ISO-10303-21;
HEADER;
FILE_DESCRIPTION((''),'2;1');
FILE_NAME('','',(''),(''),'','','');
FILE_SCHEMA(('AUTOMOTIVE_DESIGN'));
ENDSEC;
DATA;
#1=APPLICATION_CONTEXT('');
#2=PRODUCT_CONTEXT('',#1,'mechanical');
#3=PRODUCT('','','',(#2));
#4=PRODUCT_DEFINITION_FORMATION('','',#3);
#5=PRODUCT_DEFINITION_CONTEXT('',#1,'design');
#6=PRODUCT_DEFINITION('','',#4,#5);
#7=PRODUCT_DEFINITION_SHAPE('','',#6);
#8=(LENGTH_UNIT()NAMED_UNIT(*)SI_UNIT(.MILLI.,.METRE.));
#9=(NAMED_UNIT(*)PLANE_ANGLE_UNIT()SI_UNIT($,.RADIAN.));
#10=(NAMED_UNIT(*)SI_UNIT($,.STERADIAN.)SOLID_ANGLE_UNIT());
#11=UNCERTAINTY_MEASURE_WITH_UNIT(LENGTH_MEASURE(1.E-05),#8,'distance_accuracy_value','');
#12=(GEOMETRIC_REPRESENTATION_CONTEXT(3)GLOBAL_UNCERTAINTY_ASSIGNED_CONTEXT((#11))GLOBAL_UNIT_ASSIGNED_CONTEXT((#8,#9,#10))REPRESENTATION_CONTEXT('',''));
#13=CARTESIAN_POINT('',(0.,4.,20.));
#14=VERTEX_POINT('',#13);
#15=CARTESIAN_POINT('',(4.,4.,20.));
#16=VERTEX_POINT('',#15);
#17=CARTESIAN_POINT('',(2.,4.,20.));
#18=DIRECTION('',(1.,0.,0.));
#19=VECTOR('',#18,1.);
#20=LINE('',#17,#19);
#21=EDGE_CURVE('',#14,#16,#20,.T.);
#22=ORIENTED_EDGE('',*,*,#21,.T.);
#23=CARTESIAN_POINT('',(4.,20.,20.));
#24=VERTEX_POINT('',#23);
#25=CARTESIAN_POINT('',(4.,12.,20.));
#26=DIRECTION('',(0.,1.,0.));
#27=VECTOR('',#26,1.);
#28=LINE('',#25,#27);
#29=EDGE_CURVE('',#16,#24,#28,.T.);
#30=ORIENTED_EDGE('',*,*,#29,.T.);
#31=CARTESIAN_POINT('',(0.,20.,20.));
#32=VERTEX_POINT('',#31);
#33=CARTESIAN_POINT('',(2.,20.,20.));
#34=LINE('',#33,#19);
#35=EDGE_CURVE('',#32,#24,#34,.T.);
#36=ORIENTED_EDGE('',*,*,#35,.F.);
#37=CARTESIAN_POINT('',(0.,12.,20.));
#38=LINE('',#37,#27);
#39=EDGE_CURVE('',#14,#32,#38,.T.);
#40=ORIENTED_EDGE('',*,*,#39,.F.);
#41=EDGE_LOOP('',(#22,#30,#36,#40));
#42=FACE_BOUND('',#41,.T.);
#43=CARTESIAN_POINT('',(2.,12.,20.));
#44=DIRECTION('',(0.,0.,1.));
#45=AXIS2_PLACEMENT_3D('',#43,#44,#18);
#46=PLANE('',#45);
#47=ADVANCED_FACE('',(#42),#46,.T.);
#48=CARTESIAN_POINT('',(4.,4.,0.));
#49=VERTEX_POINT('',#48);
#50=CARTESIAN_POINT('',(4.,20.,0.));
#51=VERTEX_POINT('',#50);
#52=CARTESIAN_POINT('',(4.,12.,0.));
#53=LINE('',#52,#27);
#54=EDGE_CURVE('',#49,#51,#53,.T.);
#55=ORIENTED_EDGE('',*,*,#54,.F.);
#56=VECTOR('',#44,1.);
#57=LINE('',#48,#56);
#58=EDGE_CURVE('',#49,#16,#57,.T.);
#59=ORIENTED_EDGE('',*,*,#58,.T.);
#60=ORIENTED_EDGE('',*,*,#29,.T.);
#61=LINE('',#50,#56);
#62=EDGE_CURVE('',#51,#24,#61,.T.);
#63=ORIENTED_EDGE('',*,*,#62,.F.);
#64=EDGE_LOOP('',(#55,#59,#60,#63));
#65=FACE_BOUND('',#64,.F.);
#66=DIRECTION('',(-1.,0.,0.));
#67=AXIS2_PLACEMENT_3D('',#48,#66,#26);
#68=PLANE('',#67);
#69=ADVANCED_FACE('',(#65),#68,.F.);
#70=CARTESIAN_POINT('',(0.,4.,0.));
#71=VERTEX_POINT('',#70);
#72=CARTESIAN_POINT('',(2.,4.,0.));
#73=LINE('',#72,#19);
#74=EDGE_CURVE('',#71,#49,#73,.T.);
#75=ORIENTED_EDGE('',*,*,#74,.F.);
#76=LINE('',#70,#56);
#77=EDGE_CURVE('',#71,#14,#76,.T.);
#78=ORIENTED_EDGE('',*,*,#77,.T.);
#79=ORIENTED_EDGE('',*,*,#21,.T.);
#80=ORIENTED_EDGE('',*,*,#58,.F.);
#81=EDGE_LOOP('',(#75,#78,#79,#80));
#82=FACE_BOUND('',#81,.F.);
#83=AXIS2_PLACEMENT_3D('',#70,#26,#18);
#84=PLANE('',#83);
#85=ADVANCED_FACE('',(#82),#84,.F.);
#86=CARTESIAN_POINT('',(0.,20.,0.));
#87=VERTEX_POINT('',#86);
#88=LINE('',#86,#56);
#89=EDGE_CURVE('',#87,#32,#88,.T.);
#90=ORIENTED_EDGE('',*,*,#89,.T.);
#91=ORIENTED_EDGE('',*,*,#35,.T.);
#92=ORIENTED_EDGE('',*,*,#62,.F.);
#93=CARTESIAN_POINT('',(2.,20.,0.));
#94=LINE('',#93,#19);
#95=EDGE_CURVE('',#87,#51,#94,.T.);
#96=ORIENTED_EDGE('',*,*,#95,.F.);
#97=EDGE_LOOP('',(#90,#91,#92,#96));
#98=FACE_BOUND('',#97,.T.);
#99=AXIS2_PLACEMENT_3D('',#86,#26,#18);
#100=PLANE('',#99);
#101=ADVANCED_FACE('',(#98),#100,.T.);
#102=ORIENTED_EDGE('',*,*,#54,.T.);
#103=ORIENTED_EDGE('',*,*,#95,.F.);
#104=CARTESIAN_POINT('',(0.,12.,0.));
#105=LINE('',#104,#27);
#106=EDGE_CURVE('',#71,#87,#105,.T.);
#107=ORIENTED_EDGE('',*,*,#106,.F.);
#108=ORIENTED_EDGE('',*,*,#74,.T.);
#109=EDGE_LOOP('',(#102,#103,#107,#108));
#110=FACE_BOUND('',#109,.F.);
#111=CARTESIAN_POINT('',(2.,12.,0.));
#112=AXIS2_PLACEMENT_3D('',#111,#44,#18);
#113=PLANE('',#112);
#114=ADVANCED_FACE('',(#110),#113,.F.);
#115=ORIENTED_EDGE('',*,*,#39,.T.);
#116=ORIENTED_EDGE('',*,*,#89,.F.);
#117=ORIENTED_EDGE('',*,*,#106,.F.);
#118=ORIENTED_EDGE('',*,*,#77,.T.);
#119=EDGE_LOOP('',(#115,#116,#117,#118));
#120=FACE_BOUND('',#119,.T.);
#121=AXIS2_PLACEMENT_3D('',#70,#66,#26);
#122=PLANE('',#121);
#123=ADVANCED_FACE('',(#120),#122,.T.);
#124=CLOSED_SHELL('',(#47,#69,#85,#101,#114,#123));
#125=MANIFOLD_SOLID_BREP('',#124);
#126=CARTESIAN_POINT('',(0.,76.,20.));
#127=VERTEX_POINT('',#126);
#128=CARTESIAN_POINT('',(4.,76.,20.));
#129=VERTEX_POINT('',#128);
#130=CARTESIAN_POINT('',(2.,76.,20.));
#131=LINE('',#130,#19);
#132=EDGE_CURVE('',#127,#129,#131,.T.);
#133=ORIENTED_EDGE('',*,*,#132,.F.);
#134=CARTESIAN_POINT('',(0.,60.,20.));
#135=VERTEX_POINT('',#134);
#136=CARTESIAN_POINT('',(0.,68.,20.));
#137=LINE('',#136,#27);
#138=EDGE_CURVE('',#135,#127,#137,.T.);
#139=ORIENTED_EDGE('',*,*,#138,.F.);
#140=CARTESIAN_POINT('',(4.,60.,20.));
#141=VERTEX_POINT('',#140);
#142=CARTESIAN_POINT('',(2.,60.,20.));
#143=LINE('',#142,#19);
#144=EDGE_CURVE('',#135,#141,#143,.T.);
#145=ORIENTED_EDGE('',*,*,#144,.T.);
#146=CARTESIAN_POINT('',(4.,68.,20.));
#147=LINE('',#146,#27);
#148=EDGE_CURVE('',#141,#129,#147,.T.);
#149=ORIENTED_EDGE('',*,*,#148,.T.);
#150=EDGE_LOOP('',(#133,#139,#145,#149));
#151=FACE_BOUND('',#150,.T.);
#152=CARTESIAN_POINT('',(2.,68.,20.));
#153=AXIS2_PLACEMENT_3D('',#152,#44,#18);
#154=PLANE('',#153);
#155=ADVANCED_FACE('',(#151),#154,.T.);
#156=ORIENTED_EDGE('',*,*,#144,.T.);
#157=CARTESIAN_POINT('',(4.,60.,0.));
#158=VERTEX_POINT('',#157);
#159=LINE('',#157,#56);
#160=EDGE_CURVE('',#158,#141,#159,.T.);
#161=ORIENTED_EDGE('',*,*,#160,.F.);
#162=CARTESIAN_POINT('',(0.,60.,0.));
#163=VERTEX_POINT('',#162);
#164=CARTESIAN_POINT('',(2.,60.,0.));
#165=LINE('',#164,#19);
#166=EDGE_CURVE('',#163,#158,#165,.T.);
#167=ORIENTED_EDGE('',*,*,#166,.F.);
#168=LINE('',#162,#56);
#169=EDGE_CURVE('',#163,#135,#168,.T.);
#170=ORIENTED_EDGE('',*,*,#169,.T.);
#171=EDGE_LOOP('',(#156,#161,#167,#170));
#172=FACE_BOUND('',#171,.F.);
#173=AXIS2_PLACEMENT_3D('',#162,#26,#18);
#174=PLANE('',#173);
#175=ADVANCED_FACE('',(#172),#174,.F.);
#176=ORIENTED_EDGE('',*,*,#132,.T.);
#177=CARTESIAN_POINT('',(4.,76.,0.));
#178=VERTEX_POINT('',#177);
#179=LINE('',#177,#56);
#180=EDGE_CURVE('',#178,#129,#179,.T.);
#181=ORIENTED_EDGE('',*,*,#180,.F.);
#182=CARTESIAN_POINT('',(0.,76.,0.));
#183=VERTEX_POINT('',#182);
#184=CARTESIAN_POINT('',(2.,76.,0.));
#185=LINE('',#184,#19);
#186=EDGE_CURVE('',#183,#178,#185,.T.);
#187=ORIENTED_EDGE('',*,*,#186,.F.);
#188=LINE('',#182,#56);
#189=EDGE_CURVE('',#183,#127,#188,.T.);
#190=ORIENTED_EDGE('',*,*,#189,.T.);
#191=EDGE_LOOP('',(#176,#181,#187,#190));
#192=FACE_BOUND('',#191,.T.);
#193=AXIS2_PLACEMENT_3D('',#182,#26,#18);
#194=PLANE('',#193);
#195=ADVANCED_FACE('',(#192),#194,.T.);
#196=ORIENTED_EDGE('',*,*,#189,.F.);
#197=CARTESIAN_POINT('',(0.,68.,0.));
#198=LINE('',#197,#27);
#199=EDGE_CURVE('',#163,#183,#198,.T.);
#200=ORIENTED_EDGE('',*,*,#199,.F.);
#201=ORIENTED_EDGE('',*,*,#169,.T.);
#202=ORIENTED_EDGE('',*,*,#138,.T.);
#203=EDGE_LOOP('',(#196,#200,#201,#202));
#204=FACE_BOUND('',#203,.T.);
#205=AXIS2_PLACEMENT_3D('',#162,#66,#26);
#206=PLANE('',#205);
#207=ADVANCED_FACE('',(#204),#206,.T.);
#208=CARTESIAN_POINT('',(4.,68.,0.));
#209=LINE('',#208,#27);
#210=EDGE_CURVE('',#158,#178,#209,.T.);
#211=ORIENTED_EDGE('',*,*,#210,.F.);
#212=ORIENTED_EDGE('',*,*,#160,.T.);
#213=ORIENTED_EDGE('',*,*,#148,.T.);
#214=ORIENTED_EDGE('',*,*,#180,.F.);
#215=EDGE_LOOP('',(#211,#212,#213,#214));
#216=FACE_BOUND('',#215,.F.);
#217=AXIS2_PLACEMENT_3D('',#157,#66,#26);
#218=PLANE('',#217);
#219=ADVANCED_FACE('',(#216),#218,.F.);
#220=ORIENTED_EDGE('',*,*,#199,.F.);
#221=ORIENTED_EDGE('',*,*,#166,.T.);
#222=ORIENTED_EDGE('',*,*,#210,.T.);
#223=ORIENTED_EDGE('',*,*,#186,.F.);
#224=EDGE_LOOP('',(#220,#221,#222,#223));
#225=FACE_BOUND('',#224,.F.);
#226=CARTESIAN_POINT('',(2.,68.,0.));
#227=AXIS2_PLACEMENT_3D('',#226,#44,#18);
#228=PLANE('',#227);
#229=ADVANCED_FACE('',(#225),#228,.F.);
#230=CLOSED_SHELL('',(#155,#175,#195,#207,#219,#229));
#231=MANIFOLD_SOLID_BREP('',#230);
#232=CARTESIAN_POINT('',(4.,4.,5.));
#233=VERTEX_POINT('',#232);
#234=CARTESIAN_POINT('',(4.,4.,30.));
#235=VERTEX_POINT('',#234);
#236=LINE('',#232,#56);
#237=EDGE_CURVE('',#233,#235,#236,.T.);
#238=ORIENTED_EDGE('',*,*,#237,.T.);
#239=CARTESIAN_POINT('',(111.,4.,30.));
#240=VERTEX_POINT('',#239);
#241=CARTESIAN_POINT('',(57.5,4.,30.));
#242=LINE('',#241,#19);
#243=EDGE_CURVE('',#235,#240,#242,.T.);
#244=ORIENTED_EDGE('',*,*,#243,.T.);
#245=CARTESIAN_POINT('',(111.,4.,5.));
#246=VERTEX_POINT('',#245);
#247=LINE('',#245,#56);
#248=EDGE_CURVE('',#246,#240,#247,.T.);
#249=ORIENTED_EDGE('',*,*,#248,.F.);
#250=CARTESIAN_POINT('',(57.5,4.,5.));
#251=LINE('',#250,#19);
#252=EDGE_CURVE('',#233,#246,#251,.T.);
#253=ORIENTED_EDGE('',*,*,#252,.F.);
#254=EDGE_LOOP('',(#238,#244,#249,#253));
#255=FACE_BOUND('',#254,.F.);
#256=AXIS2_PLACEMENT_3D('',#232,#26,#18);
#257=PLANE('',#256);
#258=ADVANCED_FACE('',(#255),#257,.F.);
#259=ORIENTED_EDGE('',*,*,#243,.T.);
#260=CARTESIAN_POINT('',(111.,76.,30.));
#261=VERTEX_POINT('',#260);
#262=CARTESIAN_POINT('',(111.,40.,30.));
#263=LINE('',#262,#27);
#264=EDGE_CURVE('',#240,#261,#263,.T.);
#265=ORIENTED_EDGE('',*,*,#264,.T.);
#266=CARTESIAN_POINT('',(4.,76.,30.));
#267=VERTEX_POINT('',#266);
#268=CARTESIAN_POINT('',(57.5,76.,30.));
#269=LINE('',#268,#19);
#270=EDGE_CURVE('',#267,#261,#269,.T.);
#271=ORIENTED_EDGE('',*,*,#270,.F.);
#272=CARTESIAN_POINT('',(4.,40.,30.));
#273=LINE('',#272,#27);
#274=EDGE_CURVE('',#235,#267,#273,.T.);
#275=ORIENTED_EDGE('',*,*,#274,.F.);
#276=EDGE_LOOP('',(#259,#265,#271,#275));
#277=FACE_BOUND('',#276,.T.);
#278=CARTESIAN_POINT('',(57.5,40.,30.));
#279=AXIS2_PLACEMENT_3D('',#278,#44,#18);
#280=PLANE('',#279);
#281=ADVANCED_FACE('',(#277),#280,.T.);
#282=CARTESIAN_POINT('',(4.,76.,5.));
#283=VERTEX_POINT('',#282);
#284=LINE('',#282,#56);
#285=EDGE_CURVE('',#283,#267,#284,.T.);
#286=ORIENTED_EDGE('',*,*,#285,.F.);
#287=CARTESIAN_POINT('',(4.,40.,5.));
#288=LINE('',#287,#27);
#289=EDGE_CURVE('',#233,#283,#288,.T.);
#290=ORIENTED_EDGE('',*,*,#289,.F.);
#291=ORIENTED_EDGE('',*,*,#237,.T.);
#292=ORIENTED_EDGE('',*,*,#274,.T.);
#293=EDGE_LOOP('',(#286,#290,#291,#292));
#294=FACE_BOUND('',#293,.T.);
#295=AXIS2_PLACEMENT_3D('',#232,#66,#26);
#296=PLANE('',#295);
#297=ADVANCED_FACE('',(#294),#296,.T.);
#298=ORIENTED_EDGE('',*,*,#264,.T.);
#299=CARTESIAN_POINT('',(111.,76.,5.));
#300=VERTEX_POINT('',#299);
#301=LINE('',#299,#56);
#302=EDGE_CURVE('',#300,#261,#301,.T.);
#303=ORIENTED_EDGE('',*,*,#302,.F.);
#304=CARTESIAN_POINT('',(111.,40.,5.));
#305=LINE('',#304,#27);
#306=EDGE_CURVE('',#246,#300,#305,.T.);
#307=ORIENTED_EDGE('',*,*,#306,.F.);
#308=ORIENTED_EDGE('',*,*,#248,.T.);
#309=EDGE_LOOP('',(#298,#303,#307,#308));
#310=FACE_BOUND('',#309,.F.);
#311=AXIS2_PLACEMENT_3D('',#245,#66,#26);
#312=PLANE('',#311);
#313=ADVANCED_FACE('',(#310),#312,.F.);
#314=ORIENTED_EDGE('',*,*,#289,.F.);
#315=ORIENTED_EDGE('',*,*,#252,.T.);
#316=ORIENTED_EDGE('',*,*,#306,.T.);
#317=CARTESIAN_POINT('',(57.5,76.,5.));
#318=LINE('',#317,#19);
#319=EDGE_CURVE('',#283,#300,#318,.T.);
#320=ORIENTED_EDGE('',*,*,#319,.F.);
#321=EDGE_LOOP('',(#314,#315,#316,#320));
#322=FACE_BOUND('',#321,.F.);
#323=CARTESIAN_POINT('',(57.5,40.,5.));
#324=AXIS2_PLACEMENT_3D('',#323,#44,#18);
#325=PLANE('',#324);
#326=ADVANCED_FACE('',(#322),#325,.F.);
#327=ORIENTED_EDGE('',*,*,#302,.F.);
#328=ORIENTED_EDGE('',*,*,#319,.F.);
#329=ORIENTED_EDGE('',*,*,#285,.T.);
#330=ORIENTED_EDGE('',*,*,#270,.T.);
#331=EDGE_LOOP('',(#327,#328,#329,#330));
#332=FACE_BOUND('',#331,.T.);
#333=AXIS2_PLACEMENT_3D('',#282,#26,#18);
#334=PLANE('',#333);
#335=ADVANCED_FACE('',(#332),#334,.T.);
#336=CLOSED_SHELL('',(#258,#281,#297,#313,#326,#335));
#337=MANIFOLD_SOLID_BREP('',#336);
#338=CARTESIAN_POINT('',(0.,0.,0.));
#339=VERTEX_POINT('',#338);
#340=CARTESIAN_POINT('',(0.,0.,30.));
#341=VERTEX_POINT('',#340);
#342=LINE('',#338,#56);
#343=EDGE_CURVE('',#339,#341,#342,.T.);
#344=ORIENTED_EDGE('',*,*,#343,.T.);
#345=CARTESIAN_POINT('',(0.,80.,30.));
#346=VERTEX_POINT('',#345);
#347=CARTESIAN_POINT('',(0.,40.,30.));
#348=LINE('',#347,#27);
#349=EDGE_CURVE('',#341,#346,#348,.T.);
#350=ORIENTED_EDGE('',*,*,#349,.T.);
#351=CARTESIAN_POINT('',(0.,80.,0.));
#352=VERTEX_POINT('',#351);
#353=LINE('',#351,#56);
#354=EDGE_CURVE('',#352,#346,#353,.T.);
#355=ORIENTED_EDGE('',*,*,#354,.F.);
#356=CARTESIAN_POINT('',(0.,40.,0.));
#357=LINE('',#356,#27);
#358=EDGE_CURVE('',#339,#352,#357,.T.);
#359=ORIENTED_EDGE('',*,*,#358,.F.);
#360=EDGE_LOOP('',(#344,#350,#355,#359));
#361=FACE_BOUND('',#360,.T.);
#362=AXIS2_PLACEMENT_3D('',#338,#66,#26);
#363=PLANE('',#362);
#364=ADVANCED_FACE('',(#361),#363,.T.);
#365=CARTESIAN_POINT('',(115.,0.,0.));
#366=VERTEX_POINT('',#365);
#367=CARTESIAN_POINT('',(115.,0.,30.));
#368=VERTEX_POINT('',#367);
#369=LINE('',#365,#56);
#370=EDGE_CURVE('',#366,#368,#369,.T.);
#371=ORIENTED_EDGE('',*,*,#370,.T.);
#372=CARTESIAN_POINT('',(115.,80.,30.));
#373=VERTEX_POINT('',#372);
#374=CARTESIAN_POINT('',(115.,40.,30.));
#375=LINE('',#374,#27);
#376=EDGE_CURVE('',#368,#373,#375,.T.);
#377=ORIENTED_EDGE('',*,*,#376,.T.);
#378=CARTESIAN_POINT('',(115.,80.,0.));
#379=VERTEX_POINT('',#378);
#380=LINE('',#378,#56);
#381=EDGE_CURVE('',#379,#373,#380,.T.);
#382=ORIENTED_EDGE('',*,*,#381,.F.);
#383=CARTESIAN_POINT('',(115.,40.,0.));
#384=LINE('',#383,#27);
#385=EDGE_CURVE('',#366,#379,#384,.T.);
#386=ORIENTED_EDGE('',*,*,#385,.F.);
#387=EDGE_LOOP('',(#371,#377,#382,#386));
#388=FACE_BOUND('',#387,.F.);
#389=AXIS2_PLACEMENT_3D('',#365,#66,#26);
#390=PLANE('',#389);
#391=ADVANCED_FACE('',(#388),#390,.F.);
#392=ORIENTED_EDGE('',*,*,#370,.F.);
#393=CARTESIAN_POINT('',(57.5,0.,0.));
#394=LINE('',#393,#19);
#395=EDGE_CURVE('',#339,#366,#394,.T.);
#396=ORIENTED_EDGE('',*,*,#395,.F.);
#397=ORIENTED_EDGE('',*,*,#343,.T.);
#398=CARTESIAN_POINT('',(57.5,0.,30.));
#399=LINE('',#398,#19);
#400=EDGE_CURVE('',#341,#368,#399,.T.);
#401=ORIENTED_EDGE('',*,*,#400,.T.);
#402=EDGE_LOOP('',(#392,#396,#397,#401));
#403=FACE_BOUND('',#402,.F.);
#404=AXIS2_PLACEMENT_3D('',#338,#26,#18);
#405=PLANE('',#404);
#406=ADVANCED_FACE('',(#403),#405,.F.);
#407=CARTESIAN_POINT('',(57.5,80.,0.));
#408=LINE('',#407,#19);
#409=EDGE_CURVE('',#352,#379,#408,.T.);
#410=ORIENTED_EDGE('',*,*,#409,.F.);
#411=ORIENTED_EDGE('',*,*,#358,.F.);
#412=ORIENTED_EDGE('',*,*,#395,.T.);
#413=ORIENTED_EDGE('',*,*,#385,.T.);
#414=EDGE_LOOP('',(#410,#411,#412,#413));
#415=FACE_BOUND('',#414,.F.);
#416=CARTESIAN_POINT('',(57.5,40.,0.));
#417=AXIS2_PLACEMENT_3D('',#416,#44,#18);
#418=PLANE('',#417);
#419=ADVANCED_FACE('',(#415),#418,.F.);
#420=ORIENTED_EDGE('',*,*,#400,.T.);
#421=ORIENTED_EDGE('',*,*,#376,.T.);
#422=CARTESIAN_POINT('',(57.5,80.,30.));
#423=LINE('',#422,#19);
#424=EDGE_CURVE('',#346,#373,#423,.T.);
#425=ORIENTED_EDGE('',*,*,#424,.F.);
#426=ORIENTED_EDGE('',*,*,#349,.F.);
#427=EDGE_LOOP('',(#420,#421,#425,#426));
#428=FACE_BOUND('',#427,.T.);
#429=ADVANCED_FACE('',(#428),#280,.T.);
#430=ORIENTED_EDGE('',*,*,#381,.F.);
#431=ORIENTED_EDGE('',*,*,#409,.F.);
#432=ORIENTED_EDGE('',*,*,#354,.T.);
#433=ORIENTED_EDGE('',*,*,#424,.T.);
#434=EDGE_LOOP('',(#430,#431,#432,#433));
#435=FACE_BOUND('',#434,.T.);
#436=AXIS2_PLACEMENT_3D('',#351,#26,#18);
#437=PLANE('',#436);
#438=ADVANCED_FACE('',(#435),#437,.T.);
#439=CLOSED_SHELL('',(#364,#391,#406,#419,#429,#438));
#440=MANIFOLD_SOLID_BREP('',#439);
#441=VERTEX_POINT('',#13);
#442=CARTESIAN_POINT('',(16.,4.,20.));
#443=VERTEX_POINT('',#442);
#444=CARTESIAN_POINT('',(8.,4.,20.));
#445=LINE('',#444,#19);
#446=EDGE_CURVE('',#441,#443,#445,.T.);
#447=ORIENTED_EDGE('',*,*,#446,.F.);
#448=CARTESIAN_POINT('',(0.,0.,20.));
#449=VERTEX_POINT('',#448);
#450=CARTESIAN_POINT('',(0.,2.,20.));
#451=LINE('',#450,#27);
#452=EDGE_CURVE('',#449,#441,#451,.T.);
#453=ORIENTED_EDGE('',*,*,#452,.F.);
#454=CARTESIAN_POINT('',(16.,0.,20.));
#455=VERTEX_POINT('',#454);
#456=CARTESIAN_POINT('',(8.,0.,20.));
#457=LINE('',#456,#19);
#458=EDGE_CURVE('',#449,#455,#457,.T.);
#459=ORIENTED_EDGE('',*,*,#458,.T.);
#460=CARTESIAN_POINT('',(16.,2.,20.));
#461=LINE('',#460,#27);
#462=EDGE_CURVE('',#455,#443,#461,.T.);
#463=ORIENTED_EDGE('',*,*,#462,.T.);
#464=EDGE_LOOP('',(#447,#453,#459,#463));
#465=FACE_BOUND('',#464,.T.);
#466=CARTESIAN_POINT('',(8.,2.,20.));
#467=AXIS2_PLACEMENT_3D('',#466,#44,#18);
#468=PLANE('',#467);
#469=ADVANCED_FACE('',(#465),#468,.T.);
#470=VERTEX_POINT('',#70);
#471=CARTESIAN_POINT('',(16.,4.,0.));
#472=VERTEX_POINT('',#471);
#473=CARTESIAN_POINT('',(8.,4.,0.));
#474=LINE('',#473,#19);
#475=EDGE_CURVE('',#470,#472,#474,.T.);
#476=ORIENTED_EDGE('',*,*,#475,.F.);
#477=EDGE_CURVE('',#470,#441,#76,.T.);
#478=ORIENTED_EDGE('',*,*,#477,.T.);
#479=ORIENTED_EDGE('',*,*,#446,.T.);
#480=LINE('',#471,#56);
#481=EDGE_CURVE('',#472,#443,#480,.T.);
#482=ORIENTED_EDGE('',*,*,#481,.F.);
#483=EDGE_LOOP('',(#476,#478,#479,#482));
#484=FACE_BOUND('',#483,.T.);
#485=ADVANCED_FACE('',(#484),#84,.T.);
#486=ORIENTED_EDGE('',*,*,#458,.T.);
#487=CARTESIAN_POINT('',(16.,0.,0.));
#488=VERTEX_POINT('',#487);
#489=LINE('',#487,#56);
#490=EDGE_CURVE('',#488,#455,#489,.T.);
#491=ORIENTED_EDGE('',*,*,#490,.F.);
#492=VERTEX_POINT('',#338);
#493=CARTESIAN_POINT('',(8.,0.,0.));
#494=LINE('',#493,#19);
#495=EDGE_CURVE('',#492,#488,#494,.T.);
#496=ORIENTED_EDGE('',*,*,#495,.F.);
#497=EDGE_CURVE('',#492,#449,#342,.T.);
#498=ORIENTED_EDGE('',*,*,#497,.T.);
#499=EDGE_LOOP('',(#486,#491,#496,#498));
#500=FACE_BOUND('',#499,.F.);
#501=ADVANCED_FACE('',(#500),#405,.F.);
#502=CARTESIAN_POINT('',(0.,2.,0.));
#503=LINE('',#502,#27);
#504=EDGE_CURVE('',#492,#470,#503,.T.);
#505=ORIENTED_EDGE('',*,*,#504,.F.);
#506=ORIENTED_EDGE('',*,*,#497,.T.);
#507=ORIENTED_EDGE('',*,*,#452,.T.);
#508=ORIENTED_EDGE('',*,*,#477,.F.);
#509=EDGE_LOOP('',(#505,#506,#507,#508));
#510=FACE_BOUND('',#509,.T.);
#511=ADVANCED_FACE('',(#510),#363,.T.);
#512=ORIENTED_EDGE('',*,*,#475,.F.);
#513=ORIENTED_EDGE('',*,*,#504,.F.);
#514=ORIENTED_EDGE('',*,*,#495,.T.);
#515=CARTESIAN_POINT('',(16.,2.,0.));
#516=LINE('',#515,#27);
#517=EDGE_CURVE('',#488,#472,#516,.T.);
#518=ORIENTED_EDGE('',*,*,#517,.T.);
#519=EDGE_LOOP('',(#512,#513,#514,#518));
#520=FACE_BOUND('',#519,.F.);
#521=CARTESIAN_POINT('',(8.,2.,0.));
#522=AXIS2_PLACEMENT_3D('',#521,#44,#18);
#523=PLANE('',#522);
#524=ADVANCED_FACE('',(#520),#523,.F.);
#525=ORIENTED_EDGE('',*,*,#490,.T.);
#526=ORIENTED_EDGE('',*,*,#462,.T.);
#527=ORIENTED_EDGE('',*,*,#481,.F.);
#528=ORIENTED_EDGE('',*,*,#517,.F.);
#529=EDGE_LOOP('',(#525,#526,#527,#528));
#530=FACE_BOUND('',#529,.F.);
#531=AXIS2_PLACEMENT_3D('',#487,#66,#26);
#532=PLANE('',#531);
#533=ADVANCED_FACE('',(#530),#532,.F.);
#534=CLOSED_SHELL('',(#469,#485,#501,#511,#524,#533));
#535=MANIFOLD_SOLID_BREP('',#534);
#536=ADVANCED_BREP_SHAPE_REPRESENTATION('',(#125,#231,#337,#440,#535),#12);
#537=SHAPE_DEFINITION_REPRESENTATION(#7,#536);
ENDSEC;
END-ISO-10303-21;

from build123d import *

# Parameters (mm, degrees)
BOX_W        = 115
BOX_H        = 80
BOX_DEPTH    = 30
BOX001_W     = 107
BOX001_H     = 72
BOX001_DEPTH = 25
BOX002_W     = 4
BOX002_H     = 16
BOX002_DEPTH = 20
BOX003_W     = 4
BOX003_H     = 16
BOX003_DEPTH = 20
BOX004_W     = 16
BOX004_H     = 4
BOX004_DEPTH = 20


with BuildPart() as basis:
    # Box → Box (new body)
    with BuildSketch(Plane.XY):
        with Locations((57.5, 40)):
            Rectangle(BOX_W, BOX_H)
    extrude(amount=BOX_DEPTH)


with BuildPart() as basis_cut:
    # Box001 → Box001 (new body)
    with BuildSketch(Plane(origin=(4, 4, 5), x_dir=(1, 0, 0), z_dir=(0, 0, 1))):
        with Locations((53.5, 36)):
            Rectangle(BOX001_W, BOX001_H)
    extrude(amount=BOX001_DEPTH)


with BuildPart() as solar:
    # Box002 → Box002 (new body)
    with BuildSketch(Plane(origin=(0, 4, 0), x_dir=(1, 0, 0), z_dir=(0, 0, 1))):
        with Locations((2, 8)):
            Rectangle(BOX002_W, BOX002_H)
    extrude(amount=BOX002_DEPTH)


with BuildPart() as antenne:
    # Box003 → Box003 (new body)
    with BuildSketch(Plane(origin=(0, 60, 0), x_dir=(1, 0, 0), z_dir=(0, 0, 1))):
        with Locations((2, 8)):
            Rectangle(BOX003_W, BOX003_H)
    extrude(amount=BOX003_DEPTH)


with BuildPart() as luftsensor:
    # Box004 → Box004 (new body)
    with BuildSketch(Plane.XY):
        with Locations((8, 2)):
            Rectangle(BOX004_W, BOX004_H)
    extrude(amount=BOX004_DEPTH)


solid = Compound([basis.part, basis_cut.part, solar.part, antenne.part, luftsensor.part])
